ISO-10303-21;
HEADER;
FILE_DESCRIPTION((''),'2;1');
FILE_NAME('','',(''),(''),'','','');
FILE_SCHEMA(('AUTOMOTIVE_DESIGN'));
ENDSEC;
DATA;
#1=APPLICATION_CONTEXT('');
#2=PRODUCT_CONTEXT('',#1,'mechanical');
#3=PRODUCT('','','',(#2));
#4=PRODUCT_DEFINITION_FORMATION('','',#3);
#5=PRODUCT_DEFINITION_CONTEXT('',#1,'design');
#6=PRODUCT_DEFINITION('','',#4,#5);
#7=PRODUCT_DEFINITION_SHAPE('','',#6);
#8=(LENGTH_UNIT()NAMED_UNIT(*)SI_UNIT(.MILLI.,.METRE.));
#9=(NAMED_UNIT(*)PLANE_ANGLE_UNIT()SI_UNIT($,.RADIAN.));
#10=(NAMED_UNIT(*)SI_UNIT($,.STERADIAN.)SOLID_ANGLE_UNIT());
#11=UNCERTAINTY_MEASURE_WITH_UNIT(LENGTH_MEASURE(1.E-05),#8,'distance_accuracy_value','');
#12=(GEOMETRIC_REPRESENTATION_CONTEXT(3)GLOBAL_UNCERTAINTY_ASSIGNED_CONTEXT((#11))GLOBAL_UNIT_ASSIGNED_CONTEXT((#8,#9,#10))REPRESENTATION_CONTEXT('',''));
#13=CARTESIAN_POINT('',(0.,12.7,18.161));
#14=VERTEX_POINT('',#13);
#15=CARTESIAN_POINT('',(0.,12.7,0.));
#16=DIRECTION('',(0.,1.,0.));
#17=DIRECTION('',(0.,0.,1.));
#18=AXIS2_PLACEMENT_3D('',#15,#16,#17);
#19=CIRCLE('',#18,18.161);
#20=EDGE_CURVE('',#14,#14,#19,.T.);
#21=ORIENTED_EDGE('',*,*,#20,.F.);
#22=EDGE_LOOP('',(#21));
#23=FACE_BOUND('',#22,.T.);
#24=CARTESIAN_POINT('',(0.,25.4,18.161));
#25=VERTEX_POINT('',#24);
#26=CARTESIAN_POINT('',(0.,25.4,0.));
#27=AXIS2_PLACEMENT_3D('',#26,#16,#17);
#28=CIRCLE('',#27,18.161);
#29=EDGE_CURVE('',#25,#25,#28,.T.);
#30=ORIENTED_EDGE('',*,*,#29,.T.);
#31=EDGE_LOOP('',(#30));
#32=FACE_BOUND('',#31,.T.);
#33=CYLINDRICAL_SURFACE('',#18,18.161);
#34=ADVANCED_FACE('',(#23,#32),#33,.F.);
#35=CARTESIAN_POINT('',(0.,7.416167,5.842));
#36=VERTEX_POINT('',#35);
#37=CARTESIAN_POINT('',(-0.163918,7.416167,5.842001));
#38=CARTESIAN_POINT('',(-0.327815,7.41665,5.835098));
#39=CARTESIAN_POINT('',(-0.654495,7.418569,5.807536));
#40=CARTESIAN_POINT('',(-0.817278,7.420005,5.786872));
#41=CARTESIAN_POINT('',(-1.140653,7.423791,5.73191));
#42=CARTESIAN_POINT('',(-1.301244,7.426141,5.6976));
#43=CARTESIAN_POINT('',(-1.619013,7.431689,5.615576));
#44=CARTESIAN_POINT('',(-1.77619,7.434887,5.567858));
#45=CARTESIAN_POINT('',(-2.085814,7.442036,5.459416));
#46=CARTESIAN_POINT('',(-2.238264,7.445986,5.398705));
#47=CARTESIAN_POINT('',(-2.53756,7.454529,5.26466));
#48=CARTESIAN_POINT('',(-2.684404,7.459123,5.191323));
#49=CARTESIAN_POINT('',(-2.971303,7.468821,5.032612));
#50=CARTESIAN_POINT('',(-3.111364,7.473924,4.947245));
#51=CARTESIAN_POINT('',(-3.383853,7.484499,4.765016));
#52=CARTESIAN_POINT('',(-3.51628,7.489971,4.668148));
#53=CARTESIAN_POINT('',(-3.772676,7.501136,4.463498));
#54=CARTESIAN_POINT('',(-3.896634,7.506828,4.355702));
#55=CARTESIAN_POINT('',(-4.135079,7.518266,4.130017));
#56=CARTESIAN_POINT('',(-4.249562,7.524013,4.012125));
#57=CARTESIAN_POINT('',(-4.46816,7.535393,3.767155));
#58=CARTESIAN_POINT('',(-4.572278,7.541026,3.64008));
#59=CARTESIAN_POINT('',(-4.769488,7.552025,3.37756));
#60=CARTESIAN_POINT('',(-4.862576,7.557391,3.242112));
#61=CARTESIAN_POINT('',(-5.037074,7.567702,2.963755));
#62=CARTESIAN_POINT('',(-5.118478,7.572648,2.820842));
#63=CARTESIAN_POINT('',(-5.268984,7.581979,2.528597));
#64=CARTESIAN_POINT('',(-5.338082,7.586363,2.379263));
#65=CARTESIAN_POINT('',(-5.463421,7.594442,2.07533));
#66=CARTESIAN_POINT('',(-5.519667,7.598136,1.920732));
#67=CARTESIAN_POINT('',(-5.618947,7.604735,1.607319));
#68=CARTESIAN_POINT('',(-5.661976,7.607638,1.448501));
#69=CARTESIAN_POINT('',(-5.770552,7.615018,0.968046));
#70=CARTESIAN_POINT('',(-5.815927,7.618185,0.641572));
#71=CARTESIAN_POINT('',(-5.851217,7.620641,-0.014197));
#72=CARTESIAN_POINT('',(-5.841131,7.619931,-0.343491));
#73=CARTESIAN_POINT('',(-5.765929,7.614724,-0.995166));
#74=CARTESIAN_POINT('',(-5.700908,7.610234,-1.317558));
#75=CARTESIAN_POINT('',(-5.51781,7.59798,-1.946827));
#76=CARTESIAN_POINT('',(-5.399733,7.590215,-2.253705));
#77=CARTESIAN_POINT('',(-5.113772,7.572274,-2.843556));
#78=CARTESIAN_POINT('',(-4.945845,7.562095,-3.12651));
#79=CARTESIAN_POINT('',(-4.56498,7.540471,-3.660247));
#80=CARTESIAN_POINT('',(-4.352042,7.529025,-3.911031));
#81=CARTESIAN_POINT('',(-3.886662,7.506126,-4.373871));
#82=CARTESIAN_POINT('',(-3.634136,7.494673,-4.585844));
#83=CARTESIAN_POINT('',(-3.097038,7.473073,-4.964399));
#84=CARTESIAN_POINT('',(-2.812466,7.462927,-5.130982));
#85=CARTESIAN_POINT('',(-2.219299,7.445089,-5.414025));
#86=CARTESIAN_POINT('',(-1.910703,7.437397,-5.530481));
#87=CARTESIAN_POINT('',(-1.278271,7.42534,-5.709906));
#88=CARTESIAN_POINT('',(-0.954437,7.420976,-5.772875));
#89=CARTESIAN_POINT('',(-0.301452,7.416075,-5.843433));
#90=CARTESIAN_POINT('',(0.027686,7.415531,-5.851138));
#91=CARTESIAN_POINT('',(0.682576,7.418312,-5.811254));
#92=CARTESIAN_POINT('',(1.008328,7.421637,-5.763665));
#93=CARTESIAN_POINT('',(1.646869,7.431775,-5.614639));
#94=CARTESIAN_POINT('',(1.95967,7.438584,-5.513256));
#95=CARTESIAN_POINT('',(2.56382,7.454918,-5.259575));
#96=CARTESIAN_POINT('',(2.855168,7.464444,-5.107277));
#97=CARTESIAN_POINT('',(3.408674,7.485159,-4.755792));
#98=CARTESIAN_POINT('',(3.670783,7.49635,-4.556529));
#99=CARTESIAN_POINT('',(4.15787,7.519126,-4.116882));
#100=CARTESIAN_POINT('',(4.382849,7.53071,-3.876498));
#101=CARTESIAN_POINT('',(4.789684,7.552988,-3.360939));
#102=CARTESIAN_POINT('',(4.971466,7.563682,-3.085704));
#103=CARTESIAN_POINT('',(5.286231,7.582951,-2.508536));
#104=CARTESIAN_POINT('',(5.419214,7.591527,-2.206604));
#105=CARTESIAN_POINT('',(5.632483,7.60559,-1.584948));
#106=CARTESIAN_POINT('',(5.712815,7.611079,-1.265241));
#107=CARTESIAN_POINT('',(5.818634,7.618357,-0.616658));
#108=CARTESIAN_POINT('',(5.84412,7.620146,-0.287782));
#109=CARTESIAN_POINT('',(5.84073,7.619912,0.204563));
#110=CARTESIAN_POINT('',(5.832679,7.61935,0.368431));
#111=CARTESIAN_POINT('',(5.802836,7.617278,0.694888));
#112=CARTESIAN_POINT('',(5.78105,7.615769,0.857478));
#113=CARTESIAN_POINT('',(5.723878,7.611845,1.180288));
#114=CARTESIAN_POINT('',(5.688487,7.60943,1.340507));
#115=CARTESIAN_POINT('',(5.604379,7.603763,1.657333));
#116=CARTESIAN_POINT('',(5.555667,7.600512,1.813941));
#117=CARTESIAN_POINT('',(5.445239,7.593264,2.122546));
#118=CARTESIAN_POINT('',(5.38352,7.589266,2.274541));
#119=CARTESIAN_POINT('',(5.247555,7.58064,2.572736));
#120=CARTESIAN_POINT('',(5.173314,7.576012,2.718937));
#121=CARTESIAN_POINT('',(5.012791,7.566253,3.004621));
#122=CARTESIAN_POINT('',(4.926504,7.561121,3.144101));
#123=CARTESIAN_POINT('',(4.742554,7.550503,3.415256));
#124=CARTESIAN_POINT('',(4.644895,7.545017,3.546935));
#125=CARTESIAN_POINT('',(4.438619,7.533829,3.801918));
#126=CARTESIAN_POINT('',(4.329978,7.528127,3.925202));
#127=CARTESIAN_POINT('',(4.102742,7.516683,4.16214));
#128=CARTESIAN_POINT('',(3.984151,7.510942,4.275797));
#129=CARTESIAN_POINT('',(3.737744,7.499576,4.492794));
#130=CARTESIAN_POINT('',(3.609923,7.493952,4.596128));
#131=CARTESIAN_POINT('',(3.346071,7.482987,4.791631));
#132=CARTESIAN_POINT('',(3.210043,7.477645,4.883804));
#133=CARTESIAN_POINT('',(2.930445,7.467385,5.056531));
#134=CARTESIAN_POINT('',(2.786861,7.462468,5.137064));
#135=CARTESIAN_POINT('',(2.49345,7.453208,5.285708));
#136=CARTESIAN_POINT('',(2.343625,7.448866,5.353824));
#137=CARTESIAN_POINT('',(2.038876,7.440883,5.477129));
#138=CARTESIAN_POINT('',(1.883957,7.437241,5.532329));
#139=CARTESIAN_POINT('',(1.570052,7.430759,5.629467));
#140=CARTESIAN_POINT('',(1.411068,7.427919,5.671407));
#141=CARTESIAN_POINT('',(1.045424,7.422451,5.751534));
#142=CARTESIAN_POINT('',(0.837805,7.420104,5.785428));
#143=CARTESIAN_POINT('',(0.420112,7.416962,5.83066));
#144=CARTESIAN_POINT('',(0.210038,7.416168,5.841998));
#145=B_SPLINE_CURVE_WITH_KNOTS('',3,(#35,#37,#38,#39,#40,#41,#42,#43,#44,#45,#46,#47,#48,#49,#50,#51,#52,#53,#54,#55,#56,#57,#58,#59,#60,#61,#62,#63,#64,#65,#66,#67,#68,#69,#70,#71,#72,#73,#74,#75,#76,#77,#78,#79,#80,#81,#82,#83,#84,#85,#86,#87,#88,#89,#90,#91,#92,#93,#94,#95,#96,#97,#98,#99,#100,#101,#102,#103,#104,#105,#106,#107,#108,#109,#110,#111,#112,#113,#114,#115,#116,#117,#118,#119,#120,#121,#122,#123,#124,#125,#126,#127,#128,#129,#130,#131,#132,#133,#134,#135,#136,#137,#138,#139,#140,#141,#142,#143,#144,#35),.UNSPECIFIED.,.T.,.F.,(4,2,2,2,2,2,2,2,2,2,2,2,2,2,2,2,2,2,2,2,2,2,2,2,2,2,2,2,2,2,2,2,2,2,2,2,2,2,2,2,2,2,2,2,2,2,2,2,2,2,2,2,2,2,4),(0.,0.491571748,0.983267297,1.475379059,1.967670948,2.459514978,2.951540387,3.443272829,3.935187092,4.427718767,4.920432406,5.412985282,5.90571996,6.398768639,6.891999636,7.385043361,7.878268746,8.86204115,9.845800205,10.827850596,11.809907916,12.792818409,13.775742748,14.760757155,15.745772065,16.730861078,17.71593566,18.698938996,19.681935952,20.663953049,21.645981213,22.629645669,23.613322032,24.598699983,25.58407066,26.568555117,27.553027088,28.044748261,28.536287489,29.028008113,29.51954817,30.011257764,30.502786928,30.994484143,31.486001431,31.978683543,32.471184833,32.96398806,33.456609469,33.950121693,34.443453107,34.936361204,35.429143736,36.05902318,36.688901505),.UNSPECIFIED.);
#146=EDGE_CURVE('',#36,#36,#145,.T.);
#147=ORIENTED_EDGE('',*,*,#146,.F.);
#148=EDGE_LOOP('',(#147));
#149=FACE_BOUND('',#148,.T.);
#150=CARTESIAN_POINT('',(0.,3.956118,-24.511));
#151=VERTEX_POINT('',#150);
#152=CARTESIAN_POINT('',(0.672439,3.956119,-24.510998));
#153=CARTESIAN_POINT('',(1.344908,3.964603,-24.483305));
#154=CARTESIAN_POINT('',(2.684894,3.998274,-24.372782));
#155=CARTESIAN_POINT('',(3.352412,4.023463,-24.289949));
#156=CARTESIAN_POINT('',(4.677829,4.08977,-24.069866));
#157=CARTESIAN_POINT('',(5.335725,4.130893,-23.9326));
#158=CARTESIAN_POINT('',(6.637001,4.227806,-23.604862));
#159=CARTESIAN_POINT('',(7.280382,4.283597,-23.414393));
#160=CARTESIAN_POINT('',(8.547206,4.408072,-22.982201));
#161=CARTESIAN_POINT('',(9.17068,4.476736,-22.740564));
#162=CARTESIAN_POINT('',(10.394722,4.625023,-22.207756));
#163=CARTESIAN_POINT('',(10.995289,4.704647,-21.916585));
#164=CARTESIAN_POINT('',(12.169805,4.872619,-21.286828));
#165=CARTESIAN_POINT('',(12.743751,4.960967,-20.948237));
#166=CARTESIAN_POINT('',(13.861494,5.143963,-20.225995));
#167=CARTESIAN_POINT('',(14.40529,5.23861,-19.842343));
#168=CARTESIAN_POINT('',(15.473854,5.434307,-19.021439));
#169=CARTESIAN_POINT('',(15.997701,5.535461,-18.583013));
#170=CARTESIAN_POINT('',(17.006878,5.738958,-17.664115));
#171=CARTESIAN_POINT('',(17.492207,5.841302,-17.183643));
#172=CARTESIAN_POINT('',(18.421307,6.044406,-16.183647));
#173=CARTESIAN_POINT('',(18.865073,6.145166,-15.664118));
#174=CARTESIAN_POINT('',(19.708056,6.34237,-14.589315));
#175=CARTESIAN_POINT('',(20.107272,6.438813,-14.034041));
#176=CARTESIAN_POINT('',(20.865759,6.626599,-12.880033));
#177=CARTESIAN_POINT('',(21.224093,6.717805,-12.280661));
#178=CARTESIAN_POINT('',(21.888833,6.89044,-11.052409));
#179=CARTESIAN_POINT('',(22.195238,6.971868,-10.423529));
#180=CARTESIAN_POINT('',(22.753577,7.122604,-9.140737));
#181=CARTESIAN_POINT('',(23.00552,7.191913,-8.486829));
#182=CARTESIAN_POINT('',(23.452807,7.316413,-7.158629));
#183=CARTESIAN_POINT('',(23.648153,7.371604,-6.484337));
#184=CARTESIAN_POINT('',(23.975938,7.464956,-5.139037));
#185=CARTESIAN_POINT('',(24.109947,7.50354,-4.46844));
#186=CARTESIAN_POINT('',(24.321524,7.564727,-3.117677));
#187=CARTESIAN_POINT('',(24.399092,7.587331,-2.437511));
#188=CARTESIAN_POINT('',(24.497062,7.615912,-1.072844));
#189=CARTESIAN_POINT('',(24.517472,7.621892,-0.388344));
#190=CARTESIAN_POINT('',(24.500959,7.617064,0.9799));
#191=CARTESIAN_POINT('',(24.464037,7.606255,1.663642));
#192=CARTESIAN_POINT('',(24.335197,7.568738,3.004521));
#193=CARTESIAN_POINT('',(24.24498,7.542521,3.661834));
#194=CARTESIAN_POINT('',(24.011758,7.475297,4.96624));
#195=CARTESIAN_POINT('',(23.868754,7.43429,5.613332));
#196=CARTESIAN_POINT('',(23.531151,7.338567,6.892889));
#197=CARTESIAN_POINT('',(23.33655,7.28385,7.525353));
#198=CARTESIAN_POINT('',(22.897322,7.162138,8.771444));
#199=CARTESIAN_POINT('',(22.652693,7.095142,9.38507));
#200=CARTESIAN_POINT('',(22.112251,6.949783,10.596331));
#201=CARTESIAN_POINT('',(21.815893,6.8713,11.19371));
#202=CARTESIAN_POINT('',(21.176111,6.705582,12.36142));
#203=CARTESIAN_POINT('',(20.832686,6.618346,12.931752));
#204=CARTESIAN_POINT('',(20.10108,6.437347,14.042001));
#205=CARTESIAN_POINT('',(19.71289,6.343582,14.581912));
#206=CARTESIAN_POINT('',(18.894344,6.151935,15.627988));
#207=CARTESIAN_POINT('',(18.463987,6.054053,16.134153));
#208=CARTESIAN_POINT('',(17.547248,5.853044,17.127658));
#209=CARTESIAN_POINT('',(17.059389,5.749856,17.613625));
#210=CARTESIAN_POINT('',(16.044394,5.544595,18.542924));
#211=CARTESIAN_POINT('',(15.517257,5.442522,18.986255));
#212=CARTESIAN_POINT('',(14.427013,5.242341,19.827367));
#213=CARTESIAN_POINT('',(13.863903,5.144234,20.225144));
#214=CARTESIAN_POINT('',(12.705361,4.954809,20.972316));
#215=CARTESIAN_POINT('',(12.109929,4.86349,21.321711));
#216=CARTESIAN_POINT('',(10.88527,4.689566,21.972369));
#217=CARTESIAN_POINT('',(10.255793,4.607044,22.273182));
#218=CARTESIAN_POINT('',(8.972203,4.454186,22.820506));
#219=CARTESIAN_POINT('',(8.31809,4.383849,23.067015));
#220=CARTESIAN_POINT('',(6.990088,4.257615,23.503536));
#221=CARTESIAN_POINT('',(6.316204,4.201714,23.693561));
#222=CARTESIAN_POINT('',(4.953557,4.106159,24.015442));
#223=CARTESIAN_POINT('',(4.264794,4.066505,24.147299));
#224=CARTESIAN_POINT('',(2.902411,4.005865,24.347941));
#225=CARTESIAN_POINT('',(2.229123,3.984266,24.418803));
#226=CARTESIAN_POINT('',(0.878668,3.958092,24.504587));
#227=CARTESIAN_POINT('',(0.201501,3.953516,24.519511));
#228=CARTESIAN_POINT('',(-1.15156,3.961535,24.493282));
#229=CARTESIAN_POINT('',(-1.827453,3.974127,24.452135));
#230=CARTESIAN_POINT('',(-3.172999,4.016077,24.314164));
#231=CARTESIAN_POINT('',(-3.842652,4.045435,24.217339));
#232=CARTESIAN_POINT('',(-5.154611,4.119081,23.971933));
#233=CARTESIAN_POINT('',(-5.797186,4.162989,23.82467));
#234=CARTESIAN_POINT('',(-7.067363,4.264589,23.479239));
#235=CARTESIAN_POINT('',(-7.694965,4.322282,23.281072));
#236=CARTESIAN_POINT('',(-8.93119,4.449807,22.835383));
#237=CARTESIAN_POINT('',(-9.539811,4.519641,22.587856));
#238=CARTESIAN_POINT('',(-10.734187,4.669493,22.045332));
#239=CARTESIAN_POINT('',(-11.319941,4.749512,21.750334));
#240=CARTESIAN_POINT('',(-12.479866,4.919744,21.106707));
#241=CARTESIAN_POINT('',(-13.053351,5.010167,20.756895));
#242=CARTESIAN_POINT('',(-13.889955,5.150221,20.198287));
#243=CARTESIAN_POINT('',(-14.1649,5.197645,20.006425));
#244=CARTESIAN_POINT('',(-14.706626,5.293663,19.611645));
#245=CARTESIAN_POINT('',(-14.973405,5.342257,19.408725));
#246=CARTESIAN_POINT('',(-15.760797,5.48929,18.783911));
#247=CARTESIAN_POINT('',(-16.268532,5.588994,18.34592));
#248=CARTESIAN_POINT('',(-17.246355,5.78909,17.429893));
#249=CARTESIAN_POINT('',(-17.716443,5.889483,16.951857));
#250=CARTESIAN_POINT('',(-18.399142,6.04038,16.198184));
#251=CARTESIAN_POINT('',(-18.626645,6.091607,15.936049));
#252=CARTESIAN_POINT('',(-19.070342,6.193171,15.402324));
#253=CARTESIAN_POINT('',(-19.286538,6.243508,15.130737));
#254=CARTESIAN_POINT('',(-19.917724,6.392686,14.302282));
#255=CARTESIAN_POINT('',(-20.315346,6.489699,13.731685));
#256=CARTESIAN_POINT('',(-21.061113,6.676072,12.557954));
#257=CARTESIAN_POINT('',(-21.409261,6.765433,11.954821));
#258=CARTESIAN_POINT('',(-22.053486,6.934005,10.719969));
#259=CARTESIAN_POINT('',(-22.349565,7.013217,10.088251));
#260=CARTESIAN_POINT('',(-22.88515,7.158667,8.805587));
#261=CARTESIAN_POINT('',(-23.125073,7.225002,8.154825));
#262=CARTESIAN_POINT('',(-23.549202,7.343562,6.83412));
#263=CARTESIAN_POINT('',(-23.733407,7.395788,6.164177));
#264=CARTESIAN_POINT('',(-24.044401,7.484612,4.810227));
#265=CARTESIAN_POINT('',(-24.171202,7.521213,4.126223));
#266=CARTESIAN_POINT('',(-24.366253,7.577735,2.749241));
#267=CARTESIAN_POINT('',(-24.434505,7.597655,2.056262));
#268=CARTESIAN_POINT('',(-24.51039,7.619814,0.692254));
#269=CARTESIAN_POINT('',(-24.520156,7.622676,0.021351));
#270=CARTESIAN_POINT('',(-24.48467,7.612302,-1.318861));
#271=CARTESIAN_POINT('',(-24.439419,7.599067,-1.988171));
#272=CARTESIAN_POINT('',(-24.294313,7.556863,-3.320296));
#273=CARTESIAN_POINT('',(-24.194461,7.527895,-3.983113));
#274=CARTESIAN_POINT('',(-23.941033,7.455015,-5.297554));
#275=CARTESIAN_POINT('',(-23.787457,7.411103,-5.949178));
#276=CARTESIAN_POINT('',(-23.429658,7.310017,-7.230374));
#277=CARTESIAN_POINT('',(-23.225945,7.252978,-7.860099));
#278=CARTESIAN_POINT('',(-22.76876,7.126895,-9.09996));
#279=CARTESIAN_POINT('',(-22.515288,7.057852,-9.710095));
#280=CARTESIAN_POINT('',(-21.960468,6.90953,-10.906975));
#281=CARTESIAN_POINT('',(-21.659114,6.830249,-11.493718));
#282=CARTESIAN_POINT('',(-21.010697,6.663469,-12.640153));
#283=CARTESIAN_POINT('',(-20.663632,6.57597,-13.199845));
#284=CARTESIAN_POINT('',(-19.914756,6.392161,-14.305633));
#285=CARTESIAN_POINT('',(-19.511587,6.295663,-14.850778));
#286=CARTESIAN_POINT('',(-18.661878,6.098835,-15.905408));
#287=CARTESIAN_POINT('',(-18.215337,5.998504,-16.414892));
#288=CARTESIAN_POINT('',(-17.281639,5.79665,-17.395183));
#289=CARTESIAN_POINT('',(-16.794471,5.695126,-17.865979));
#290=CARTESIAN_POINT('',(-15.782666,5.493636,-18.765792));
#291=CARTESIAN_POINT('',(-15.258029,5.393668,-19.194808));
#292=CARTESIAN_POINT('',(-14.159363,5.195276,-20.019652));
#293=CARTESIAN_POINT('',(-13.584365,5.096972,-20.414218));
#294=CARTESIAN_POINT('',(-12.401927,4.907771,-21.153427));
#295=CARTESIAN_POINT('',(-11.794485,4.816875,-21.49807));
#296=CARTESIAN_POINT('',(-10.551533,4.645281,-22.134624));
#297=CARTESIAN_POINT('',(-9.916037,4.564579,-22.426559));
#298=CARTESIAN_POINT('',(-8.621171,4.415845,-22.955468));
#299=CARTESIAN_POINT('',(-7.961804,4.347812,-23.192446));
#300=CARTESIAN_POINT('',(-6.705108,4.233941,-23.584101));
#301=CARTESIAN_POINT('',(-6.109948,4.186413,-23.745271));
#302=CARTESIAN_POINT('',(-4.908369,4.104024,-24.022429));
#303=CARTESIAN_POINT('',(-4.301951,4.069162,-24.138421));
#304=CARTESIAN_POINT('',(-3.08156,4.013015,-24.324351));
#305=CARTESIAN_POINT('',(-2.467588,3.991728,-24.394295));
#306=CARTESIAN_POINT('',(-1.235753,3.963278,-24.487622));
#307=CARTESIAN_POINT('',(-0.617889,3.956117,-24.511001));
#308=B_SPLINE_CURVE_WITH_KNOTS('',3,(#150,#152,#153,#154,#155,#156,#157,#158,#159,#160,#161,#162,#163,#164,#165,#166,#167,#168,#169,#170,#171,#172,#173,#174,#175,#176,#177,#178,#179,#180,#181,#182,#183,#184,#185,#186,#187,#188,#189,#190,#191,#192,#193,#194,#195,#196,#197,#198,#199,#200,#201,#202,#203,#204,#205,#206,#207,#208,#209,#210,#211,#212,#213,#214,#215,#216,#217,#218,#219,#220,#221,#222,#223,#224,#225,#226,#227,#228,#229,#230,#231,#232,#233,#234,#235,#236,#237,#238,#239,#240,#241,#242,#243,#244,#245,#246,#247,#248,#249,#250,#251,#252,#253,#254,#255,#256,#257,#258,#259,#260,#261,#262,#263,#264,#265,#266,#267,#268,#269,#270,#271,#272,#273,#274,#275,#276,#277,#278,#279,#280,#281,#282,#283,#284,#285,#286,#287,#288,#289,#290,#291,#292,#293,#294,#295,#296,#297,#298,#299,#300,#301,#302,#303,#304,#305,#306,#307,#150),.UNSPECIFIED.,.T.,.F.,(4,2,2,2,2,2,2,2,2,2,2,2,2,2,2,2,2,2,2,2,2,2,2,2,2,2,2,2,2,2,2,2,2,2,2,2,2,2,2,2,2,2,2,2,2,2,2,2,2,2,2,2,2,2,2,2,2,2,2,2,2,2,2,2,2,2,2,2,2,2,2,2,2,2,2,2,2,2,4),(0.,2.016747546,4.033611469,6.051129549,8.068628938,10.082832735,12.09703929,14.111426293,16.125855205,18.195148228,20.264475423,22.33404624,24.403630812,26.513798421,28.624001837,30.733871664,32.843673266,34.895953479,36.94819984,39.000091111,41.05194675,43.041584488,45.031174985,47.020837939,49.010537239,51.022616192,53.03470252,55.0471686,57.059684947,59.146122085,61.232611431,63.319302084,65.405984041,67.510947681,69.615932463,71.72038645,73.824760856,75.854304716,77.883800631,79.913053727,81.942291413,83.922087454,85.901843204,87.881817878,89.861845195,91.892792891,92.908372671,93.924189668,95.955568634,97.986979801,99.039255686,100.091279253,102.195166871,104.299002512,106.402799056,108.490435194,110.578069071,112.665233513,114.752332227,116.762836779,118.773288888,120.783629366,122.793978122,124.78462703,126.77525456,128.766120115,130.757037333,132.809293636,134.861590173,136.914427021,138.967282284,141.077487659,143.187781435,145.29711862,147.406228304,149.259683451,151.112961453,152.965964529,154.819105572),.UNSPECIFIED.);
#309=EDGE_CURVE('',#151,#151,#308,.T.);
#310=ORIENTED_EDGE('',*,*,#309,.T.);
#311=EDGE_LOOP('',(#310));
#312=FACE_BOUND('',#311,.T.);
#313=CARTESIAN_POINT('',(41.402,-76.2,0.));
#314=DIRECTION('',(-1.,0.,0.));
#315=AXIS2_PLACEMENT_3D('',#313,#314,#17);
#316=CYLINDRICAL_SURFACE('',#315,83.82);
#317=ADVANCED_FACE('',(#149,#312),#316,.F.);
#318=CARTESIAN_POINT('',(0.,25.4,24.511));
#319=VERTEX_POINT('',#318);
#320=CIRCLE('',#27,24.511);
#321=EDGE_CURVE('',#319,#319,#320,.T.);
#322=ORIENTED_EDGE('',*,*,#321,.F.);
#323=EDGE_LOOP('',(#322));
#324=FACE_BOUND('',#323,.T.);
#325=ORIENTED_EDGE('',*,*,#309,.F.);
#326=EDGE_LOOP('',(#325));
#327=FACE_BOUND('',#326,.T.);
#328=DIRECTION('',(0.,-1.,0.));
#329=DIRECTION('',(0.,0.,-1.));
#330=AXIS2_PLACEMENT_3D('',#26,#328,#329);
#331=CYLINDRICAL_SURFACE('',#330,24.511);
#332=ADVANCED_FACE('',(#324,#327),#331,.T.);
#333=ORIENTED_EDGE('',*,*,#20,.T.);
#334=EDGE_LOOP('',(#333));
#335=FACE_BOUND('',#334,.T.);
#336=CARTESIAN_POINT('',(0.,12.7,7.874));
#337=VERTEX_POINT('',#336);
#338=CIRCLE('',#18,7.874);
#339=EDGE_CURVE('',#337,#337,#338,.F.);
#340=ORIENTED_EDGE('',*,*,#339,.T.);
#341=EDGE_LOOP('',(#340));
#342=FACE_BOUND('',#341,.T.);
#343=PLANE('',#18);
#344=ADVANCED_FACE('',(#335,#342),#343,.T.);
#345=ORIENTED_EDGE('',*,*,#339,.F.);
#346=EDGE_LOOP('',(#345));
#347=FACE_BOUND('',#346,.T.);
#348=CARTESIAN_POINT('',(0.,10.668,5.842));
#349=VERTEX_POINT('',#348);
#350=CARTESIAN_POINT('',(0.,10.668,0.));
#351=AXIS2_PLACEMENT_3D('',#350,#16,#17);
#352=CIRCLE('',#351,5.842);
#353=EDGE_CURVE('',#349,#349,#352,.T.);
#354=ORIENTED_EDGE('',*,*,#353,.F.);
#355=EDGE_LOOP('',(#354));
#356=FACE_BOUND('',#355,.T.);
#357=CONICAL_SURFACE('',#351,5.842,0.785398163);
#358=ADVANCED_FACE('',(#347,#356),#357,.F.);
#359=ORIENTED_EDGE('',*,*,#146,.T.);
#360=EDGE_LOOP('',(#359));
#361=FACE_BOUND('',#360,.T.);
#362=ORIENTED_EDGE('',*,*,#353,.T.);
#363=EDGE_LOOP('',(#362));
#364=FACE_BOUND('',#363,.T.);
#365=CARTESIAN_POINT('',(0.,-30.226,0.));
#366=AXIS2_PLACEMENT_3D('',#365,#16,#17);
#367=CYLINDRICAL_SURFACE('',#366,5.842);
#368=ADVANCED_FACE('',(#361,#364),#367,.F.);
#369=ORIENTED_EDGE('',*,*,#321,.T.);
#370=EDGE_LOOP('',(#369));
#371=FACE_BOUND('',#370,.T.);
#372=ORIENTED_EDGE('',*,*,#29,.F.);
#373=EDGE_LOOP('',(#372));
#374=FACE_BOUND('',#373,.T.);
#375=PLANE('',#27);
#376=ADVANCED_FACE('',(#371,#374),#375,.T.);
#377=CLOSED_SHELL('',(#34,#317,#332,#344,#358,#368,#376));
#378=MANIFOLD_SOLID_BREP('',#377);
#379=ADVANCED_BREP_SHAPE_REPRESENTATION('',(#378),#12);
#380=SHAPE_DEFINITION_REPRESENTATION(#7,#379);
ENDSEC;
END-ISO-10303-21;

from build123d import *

# Parameters (mm, degrees)
SKETCH2_R               = 24.511
BOSS_EXTRUDE2_DEPTH     = 25.4
SKETCH3_R               = 18.161
CUT_EXTRUDE1_DEPTH      = 12.7
SKETCH11_R              = 83.82
CUT_EXTRUDE2_DEPTH      = 41.402
CUT_EXTRUDE2_DEPTH_BACK = 42.926
SKETCH13_R              = 5.842
CUT_EXTRUDE3_DEPTH      = 42.926
CHAMFER1_SIZE           = 2.032


with BuildPart() as part:
    # Sketch2 → Boss-Extrude2 (new body)
    with BuildSketch(Plane(origin=(0, 0, 0), x_dir=(1, 0, 0), z_dir=(0, 1, 0))):
        Circle(SKETCH2_R)
    extrude(amount=BOSS_EXTRUDE2_DEPTH)

    # Sketch3 → Cut-Extrude1 (cut)
    with BuildSketch(Plane(origin=(0, 25.4, 0), x_dir=(1, 0, 0), z_dir=(0, 1, 0))):
        Circle(SKETCH3_R)
    extrude(amount=-CUT_EXTRUDE1_DEPTH, mode=Mode.SUBTRACT)

    # Sketch11 → Cut-Extrude2 (cut, two sides)
    with BuildSketch(Plane(origin=(0, 0, 0), x_dir=(0, 0, -1), z_dir=(1, 0, 0))) as cut_extrude2_sk:
        with Locations((0, -76.2)):
            Circle(SKETCH11_R)
    extrude(amount=CUT_EXTRUDE2_DEPTH, mode=Mode.SUBTRACT)
    extrude(cut_extrude2_sk.sketch, amount=-CUT_EXTRUDE2_DEPTH_BACK, mode=Mode.SUBTRACT)

    # Sketch13 → Cut-Extrude3 (cut)
    with BuildSketch(Plane(origin=(0, 12.7, 0), x_dir=(1, 0, 0), z_dir=(0, 1, 0))):
        Circle(SKETCH13_R)
    extrude(amount=-CUT_EXTRUDE3_DEPTH, mode=Mode.SUBTRACT)

    # Chamfer1
    chamfer1_edges = [part.edges().sort_by_distance(p)[0] for p in [
        (-5.842, 12.7, 0),
    ]]
    chamfer(chamfer1_edges, length=CHAMFER1_SIZE)


solid = part.part
